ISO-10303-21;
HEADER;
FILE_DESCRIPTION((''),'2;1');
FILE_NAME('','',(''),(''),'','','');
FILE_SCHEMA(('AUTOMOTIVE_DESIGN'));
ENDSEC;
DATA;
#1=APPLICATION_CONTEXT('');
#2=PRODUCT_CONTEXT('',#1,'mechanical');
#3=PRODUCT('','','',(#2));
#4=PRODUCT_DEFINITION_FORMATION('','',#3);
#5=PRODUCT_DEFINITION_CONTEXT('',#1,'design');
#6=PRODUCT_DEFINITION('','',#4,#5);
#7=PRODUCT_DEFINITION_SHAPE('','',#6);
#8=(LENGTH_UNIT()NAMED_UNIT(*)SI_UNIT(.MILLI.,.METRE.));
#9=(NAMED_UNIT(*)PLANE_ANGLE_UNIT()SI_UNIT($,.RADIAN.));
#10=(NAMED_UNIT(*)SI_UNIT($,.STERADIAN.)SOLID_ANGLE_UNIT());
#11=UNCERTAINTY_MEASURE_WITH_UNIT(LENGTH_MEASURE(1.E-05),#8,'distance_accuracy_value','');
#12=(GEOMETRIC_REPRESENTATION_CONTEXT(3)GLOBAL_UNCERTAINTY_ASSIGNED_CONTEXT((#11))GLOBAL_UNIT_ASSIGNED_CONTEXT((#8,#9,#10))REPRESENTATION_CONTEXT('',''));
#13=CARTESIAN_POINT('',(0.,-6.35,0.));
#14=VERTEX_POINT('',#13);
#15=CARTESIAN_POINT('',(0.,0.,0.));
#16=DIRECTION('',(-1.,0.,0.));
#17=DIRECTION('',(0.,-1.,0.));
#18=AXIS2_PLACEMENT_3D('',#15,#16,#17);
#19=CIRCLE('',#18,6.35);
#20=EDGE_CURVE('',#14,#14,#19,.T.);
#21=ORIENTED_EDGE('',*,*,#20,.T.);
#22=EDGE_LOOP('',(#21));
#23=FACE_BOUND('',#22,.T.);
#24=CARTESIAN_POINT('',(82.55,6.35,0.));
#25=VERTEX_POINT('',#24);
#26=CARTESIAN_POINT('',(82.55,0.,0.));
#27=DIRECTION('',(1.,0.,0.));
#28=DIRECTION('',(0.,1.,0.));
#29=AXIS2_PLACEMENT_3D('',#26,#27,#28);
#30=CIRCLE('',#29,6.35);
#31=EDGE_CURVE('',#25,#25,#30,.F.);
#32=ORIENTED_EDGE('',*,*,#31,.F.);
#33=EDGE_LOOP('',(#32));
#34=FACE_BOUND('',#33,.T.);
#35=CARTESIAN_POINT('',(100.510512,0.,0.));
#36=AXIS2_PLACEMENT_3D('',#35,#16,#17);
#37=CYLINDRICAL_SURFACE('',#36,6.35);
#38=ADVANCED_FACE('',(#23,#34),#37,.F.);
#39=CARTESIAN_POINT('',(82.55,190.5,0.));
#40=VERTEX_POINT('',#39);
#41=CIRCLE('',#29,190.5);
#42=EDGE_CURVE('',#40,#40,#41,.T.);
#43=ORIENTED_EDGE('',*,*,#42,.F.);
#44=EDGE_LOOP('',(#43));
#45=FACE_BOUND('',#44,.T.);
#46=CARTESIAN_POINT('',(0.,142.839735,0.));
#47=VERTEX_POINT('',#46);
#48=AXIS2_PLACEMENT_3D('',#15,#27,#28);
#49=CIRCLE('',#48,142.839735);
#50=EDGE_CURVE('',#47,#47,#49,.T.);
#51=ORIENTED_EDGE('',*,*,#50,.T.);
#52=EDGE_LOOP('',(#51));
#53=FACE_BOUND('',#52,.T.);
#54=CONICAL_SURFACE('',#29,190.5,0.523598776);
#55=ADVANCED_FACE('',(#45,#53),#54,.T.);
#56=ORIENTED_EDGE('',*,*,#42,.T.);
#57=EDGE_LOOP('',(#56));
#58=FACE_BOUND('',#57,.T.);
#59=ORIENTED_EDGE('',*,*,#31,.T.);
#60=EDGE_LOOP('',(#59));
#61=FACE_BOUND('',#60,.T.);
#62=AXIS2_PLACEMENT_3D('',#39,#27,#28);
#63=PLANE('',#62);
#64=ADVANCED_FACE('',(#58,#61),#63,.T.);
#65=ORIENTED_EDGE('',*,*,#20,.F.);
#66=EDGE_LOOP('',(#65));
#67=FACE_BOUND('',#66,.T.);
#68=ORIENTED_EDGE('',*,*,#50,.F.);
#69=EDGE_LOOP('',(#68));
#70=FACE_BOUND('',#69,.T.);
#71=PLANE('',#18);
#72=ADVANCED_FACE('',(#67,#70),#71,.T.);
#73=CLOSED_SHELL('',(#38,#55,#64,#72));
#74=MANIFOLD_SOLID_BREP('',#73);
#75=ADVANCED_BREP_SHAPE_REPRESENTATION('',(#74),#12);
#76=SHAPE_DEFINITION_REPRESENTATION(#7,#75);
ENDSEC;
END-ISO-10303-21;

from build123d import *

# Parameters (mm, degrees)
SKETCH3_R          = 6.35
CUT_EXTRUDE1_DEPTH = 82.55


with BuildPart() as part:
    # Sketch2 → Revolve1 (revolve)
    with BuildSketch(Plane.XY):
        Polygon((0, 0), (0, 142.839735278), (82.55, 190.5), (82.55, 0), align=None)
    revolve(axis=Axis((82.55, 0, 0), (-1, 0, 0)))

    # Sketch3 → Cut-Extrude1 (cut)
    with BuildSketch(Plane.ZY):
        with Locations(Location((0, 0, 0), (0, 0, 270))):
            Circle(SKETCH3_R)
    extrude(amount=-CUT_EXTRUDE1_DEPTH, mode=Mode.SUBTRACT)


solid = part.part
